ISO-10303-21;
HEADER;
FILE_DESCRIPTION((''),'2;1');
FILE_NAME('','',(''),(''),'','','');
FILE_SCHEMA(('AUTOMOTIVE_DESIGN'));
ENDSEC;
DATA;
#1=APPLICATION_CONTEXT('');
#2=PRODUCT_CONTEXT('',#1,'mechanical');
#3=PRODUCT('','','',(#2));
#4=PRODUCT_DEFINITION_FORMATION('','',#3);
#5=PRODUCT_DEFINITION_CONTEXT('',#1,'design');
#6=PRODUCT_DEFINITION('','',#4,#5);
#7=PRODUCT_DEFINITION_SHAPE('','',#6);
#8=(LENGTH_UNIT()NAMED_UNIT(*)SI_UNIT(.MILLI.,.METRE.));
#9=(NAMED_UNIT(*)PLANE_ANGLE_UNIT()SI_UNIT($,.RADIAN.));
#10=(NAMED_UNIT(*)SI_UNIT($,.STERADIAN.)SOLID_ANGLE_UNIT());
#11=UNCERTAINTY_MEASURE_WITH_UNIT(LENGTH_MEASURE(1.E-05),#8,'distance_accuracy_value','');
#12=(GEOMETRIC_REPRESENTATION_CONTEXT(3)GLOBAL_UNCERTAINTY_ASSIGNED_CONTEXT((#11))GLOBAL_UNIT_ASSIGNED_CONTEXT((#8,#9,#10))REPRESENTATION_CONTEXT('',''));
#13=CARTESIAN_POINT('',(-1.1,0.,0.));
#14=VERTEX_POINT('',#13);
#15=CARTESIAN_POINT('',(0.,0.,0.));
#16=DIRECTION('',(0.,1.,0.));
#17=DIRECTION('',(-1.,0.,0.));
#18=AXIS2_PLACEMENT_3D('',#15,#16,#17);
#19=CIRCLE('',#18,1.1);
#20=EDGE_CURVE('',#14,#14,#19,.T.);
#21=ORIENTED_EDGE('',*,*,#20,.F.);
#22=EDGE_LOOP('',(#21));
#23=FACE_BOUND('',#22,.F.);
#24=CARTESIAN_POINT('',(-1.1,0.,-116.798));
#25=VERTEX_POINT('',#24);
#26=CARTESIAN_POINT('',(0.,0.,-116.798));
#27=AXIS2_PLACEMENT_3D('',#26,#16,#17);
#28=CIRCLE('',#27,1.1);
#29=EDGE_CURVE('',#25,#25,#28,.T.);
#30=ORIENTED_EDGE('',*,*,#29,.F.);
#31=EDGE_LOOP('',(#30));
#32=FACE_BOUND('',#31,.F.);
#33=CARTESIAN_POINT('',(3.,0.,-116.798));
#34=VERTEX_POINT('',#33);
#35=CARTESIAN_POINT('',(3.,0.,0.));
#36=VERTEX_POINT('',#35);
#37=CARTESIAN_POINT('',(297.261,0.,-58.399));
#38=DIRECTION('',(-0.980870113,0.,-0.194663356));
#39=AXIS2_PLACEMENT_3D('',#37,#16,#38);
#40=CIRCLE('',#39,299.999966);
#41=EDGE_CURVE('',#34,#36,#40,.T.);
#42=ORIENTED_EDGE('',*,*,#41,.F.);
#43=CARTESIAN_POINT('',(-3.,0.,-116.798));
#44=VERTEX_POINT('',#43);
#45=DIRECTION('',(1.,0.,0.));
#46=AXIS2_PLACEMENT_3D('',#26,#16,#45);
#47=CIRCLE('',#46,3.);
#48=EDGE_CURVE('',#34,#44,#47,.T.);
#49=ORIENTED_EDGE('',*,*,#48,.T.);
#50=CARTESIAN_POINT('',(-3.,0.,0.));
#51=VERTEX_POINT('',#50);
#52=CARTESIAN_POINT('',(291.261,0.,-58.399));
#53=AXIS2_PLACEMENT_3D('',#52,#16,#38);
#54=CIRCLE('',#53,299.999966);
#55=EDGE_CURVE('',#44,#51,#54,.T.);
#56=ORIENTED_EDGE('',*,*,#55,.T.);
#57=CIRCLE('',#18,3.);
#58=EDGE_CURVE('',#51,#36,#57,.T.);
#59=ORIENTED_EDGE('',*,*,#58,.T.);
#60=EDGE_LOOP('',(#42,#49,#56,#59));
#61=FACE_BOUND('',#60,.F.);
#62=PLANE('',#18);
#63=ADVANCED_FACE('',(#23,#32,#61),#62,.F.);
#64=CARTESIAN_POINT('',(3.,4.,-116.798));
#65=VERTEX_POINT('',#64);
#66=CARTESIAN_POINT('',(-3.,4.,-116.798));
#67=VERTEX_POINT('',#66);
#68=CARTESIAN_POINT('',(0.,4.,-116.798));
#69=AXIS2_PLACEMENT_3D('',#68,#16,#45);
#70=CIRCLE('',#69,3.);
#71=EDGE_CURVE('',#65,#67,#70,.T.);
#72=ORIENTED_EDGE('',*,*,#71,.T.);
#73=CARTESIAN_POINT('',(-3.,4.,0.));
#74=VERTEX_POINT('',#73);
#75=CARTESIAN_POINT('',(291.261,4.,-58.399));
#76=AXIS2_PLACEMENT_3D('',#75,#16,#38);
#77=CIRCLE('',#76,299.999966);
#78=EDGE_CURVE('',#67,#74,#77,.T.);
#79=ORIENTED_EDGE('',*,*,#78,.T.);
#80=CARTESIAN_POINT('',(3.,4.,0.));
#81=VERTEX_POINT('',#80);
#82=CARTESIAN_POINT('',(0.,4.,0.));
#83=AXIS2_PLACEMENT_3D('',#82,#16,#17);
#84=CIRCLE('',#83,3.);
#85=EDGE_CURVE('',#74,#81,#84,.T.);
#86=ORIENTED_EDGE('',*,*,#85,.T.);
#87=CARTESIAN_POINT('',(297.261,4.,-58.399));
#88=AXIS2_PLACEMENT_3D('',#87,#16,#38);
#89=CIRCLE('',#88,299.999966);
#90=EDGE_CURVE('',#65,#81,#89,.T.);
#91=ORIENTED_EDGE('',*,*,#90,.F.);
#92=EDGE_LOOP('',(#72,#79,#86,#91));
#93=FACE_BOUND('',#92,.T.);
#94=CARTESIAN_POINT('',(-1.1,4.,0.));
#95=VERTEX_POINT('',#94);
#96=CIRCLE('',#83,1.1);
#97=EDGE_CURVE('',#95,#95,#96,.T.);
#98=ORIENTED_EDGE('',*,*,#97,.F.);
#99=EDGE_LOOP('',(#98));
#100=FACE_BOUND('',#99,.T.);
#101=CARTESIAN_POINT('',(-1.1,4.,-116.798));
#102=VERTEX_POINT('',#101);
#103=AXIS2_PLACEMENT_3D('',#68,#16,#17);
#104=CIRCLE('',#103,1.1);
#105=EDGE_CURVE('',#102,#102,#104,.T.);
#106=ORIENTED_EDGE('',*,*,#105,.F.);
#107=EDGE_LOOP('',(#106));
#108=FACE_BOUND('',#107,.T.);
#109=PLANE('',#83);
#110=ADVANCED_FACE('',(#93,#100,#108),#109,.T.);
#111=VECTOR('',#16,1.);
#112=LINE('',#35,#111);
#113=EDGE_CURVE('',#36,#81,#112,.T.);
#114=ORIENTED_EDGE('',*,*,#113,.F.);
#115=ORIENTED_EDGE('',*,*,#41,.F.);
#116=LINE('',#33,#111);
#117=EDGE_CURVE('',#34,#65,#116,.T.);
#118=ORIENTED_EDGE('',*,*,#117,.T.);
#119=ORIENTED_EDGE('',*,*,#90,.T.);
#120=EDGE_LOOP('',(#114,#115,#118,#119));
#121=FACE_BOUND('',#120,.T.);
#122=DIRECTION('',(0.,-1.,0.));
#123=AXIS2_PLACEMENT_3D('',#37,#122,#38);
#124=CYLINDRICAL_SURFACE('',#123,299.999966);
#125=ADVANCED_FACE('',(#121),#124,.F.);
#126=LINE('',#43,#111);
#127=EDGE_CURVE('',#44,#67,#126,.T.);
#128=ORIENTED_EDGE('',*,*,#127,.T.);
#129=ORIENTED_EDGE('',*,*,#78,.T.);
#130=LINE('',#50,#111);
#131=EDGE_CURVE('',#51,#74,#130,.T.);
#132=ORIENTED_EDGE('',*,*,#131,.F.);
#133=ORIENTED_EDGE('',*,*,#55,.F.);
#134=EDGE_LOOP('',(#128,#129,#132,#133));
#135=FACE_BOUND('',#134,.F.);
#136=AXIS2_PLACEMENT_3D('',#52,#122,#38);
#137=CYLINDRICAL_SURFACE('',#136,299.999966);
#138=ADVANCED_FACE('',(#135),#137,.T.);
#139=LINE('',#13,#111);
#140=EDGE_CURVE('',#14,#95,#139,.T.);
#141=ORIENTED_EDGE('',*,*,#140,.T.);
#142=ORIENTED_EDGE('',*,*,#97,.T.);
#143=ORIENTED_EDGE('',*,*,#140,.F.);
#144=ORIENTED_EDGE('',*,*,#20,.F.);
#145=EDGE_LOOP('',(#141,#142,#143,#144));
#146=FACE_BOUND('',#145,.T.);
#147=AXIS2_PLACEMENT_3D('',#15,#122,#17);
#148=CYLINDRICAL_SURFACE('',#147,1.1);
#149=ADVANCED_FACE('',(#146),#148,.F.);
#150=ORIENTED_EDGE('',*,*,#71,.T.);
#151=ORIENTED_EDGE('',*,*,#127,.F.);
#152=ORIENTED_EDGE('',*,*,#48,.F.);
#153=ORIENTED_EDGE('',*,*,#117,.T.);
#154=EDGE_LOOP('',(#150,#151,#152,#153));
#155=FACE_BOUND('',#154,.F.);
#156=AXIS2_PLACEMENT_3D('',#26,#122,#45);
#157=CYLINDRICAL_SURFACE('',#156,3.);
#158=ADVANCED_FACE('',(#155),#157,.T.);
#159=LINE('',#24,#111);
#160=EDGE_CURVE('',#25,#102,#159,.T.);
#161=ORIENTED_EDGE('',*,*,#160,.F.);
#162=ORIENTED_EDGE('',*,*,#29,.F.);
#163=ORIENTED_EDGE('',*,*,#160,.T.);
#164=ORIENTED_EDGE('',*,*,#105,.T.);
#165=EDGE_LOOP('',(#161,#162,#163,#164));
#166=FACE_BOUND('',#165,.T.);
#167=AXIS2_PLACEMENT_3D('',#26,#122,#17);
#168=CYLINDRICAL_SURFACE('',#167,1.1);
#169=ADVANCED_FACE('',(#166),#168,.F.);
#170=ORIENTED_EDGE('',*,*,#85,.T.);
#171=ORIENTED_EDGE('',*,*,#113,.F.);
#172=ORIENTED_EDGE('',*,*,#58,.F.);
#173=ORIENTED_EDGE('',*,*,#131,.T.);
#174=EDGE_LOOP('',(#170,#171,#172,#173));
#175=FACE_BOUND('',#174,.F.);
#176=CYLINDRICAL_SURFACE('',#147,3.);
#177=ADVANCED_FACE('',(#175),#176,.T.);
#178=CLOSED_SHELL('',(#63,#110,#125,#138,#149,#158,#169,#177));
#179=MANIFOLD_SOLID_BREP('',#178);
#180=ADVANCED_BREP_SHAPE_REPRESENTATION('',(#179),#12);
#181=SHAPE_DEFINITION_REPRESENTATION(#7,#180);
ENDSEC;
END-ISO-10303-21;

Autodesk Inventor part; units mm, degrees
ref_plane "YZ Plane" through (0, 0, 0) normal (1, 0, 0) x (0, 1, 0)
ref_plane "XZ Plane" through (0, 0, 0) normal (0, 1, 0) x (-1, 0, 0)
ref_plane "XY Plane" through (0, 0, 0) normal (0, 0, 1) x (1, 0, 0)
sketch "Sketch1" plane through (0, 0, 0) normal (0, 1, 0) x (-1, 0, 0)
  line L0 (0, 0) -> (0, -116.798) construction
  line L1 (3, 0) -> (3, -116.798)
  line L2 (-3, -116.798) -> (-3, 0)
  arc A0 (3, 0) -> (-3, 0) centre (0, 0) ccw
  arc A1 (-3, -116.798) -> (3, -116.798) centre (0, -116.798) ccw
  circle A2 centre (0, 0) radius 1.1
  circle A3 centre (0, -116.798) radius 1.1
  arc A4 (-3, -116.798) -> (-3, 0) centre (-297.261, -58.399) ccw
  arc A5 (3, -116.798) -> (3, 0) centre (-291.261, -58.399) ccw
  point P0 (0, -58.399)
  dimension "d0" = 2.2
  dimension "d1" = 2.2
  dimension "d2" = 6
  dimension "d3" = 116.798
  dimension "d14" = 300
  dimension "d15" = 300
extrude "Extrusion1" add sketch "Sketch1" along normal blind 4 contours A5 L1 | L1 A1 A4 A0
